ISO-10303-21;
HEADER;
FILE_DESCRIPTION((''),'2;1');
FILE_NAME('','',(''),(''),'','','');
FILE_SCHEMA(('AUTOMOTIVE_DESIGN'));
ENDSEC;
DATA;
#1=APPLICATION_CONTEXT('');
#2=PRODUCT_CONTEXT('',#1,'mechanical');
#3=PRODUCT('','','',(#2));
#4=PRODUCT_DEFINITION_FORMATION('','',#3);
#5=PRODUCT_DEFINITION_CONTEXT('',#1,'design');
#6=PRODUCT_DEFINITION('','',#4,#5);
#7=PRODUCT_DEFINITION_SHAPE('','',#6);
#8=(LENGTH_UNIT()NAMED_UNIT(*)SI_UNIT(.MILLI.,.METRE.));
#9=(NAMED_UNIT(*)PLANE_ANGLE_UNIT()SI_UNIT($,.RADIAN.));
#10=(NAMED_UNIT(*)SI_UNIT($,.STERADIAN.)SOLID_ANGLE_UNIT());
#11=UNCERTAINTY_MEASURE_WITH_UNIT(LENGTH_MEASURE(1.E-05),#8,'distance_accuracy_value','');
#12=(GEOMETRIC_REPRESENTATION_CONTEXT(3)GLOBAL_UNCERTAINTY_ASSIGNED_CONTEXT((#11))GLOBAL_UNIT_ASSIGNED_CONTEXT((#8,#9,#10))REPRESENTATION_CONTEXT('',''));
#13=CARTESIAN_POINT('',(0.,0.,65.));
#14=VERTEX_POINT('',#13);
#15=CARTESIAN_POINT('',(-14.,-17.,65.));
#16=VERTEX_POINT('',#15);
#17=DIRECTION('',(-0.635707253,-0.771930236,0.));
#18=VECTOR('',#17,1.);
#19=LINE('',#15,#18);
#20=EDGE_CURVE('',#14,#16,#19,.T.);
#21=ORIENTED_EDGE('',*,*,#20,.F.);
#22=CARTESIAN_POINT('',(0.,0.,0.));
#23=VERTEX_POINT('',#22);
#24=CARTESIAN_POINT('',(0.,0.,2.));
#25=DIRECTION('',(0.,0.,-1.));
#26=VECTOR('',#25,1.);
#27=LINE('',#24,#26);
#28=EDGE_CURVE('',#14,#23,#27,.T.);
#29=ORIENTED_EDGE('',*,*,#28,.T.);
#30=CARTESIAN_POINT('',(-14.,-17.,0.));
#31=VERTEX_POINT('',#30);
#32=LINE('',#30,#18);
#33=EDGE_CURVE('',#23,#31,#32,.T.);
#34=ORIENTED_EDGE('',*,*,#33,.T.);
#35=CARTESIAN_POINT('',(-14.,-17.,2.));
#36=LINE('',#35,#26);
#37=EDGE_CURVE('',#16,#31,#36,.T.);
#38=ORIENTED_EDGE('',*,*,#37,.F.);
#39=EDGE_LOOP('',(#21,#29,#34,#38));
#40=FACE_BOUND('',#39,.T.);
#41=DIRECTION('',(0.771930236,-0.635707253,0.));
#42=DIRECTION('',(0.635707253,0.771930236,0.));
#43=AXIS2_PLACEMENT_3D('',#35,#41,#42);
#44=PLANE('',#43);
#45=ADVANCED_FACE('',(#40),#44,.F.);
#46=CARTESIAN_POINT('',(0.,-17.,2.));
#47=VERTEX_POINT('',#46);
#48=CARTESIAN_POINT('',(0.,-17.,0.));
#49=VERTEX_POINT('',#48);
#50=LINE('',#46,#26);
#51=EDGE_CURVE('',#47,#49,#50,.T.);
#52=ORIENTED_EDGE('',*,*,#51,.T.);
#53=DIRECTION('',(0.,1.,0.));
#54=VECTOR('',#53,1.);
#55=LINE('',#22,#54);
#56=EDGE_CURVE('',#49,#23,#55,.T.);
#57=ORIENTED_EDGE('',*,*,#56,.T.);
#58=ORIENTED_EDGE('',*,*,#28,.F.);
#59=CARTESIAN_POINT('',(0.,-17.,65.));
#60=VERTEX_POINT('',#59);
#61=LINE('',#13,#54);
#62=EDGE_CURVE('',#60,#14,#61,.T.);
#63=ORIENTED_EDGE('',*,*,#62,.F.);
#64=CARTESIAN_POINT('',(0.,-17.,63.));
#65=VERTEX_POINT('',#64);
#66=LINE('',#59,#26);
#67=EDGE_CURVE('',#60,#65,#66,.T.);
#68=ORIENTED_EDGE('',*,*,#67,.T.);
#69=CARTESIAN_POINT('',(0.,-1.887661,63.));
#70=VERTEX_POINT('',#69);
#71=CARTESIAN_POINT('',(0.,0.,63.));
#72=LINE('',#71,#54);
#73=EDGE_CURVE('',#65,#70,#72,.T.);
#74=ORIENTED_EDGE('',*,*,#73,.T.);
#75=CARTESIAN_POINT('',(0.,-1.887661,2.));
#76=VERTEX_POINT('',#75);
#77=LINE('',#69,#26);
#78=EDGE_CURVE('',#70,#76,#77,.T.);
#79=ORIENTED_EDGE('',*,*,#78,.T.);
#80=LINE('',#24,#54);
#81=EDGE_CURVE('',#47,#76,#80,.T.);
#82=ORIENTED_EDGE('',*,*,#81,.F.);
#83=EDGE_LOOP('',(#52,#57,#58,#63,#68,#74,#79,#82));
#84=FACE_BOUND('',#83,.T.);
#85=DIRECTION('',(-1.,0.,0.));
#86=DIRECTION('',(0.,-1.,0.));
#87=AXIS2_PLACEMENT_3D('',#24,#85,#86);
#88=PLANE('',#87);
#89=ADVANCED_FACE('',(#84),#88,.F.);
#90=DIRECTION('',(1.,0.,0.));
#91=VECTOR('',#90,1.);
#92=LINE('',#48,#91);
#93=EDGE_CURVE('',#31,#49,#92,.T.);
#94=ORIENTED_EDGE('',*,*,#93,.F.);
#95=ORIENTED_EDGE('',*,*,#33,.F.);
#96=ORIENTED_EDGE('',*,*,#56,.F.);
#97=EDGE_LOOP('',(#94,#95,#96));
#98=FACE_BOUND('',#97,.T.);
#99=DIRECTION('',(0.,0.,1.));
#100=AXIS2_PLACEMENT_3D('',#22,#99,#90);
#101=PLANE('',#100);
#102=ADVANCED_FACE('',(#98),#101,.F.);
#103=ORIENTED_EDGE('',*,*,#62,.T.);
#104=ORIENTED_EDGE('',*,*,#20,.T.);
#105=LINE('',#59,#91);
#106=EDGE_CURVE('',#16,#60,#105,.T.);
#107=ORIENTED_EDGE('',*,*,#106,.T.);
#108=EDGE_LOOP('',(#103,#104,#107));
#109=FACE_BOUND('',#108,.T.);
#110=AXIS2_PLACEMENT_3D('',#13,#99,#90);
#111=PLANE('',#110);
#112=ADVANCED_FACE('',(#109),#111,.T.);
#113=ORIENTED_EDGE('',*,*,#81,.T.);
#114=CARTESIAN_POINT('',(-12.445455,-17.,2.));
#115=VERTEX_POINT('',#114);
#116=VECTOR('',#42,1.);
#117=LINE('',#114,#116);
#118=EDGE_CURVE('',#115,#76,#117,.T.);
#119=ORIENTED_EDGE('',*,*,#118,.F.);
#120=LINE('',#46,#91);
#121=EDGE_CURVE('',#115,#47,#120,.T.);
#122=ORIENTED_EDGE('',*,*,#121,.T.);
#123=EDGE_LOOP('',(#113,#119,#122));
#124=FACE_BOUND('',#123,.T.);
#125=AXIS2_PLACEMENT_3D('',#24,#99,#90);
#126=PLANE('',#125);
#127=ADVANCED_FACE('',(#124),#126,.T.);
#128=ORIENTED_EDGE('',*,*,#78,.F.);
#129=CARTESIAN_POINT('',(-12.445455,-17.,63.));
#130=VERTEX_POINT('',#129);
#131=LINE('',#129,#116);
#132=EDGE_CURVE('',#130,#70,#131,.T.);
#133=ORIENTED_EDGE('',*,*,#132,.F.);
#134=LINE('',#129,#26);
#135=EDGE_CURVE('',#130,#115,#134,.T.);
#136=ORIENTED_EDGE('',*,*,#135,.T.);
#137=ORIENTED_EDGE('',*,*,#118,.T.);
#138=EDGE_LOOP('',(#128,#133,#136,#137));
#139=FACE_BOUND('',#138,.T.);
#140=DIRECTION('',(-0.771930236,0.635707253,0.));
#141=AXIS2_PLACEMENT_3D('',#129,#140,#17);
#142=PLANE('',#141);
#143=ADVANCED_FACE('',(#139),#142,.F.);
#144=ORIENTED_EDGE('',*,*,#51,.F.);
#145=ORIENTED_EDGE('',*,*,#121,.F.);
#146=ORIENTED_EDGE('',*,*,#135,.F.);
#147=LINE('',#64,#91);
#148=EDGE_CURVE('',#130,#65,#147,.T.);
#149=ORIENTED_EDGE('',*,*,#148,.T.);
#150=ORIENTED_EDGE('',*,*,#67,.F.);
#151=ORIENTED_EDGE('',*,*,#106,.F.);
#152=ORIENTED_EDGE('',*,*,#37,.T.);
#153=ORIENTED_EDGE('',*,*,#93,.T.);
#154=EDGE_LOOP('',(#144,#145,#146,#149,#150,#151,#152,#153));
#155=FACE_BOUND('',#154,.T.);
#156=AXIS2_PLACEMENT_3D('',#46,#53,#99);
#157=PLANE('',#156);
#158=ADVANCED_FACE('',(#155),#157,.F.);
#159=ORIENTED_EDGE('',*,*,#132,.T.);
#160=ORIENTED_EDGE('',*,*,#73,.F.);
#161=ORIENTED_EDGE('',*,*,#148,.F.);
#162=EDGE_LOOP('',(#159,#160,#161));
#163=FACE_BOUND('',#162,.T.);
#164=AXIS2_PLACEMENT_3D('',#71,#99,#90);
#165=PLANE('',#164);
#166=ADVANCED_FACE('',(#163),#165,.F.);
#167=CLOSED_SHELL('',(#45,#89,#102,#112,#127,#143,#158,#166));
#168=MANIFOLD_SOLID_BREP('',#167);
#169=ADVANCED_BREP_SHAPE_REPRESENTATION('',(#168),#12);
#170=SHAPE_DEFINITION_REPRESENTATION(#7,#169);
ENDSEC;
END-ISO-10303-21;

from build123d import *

# Parameters (mm, degrees)
BOSS_EXTRUDE2_DEPTH = 2
BOSS_EXTRUDE3_DEPTH = 61
BOSS_EXTRUDE4_DEPTH = 2


with BuildPart() as part:
    # Sketch1 → Boss-Extrude2 (new body)
    with BuildSketch(Plane.XY):
        Polygon((0, 0), (0, -17), (-14, -17), align=None)
    extrude(amount=BOSS_EXTRUDE2_DEPTH)

    # Sketch5 → Boss-Extrude3 (add)
    with BuildSketch(Plane.XY.offset(2)):
        Polygon((-14, -17), (-12.445455373, -17), (0, -1.887661332), (0, 0), align=None)
    extrude(amount=BOSS_EXTRUDE3_DEPTH)

    # Sketch6 → Boss-Extrude4 (add)
    with BuildSketch(Plane.XY.offset(63)):
        Polygon((0, 0), (0, -17), (-14, -17), align=None)
    extrude(amount=BOSS_EXTRUDE4_DEPTH)


solid = part.part
